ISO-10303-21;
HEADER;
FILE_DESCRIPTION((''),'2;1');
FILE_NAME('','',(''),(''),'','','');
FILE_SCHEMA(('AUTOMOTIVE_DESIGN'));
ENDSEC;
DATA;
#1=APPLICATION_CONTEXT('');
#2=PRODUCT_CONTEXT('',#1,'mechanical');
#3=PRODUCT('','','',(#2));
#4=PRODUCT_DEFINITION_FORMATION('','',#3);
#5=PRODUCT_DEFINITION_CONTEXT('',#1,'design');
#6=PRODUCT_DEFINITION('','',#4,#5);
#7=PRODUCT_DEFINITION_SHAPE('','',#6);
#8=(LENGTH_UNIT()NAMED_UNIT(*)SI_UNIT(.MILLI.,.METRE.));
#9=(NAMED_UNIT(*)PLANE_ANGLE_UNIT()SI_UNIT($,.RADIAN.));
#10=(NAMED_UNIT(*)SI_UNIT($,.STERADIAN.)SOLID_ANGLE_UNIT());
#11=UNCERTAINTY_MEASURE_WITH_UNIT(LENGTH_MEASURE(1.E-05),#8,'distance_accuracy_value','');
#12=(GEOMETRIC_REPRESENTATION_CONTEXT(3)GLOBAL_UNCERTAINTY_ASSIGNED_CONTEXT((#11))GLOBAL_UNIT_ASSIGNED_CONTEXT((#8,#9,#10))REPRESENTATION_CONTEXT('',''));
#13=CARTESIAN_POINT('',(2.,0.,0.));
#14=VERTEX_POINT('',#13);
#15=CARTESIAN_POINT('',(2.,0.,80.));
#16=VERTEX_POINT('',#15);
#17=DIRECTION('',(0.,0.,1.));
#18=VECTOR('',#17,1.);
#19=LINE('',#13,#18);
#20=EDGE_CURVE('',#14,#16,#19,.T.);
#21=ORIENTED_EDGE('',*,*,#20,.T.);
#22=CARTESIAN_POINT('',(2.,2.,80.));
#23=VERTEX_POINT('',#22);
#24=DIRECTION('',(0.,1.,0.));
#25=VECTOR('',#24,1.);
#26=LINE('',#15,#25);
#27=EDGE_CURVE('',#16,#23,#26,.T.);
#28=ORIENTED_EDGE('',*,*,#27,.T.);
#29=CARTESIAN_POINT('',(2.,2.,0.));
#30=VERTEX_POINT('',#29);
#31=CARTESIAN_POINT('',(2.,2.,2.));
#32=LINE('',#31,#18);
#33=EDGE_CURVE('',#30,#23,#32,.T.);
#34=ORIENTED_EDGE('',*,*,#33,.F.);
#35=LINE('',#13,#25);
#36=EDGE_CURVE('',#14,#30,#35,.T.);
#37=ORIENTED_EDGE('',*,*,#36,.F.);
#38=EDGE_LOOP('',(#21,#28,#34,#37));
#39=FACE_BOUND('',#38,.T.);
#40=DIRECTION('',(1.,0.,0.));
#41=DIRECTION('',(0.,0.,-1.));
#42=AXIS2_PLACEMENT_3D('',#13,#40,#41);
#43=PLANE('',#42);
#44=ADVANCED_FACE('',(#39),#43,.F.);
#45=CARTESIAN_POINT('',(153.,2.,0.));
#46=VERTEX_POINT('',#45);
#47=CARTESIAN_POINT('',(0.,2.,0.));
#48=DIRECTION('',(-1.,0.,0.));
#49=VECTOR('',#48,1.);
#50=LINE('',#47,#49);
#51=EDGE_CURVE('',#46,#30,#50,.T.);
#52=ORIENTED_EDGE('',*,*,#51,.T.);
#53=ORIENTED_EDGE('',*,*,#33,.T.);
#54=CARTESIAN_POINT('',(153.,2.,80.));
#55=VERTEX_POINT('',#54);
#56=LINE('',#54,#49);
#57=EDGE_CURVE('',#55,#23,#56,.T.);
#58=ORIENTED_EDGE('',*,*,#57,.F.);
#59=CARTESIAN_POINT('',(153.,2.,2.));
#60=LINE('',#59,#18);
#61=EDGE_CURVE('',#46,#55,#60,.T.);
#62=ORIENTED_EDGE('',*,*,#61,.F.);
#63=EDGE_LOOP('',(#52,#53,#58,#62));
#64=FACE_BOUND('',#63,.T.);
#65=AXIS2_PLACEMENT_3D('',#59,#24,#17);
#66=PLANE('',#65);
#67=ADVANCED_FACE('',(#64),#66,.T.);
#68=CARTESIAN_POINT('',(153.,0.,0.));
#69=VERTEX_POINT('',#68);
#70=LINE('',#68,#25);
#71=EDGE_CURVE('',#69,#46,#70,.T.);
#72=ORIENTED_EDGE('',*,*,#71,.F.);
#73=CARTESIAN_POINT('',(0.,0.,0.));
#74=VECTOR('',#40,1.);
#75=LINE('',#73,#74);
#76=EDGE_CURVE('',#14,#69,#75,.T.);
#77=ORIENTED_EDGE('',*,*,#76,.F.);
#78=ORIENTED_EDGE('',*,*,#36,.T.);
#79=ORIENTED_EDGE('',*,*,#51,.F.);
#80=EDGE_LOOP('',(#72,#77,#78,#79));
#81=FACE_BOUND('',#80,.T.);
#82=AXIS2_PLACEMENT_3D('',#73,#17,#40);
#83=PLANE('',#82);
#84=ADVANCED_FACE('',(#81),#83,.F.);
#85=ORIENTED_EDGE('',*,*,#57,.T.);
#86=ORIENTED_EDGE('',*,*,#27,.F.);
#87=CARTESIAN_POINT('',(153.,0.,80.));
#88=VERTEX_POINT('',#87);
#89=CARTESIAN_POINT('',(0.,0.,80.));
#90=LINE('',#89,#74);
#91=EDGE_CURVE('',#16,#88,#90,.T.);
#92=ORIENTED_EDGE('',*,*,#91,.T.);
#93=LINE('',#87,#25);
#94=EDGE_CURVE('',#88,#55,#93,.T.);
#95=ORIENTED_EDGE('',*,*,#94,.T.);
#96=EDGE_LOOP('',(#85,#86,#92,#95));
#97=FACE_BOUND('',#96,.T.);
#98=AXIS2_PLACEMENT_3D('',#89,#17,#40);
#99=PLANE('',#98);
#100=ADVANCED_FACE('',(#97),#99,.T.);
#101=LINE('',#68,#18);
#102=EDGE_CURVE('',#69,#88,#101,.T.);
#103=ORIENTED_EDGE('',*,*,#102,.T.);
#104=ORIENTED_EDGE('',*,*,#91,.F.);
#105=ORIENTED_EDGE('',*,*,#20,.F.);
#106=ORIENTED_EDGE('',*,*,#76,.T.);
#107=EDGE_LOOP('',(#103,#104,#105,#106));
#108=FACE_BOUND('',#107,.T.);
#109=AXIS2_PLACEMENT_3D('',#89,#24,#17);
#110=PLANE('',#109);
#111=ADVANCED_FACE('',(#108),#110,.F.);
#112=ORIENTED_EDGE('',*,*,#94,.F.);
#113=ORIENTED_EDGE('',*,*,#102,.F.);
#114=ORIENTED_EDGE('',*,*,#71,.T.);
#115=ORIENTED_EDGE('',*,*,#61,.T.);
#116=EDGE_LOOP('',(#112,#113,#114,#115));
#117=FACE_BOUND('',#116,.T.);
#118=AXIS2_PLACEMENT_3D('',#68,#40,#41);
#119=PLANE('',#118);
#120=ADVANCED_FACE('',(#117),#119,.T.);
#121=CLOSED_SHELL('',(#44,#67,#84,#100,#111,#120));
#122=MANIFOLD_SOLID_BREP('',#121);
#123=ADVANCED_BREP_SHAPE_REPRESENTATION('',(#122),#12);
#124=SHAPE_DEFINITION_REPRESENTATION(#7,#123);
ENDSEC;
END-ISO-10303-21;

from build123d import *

# Parameters (mm, degrees)
SKETCH1_W           = 155
SKETCH1_H           = 110
BOSS_EXTRUDE1_DEPTH = 80
SKETCH2_W           = 151
SKETCH2_H           = 106
CUT_EXTRUDE1_DEPTH  = 78
SKETCH3_R           = 2.5
CUT_EXTRUDE2_DEPTH  = 2
SKETCH7_R           = 1.6
CUT_EXTRUDE7_DEPTH  = 2
SKETCH4_W           = 27.5
SKETCH4_H           = 46.8
CUT_EXTRUDE8_DEPTH  = 2
SKETCH8_W           = 4
SKETCH8_H           = 53
CUT_EXTRUDE9_DEPTH  = 2
SKETCH9_W           = 14
SKETCH9_H           = 14
CUT_EXTRUDE10_DEPTH = 2
SKETCH10_W          = 25.2
SKETCH10_H          = 71.2
SKETCH10_R          = 1.25
CUT_EXTRUDE12_DEPTH = 2
SKETCH11_R          = 2.5
SKETCH11_R_2        = 4.5
CUT_EXTRUDE13_DEPTH = 2
SKETCH12_W          = 151
SKETCH12_H          = 108
CUT_EXTRUDE14_DEPTH = 80


with BuildPart() as part:
    # Sketch1 → Boss-Extrude1 (new body)
    with BuildSketch(Plane.XY):
        with Locations((77.5, 55)):
            Rectangle(SKETCH1_W, SKETCH1_H)
    extrude(amount=BOSS_EXTRUDE1_DEPTH)

    # Sketch2 → Cut-Extrude1 (cut)
    with BuildSketch(Plane.XY.offset(80)):
        with Locations((77.5, 55)):
            Rectangle(SKETCH2_W, SKETCH2_H)
    extrude(amount=-CUT_EXTRUDE1_DEPTH, mode=Mode.SUBTRACT)

    # Sketch3 → Cut-Extrude2 (cut)
    with BuildSketch(Plane.XY.offset(2)):
        with Locations((145, 100.5)):
            Circle(SKETCH3_R)
        with Locations((145, 9.5)):
            Circle(SKETCH3_R)
        with Locations((10, 9.5)):
            Circle(SKETCH3_R)
        with Locations((10, 100.5)):
            Circle(SKETCH3_R)
    extrude(amount=-CUT_EXTRUDE2_DEPTH, mode=Mode.SUBTRACT)

    # Sketch7 → Cut-Extrude7 (cut)
    with BuildSketch(Plane(origin=(0, 110, 0), x_dir=(1, 0, 0), z_dir=(0, 1, 0))):
        with Locations((44.48, -20.14450396)):
            Circle(SKETCH7_R)
        with Locations((95.28, -17.14)):
            Circle(SKETCH7_R)
        with Locations((95.28, -62.86)):
            Circle(SKETCH7_R)
        with Locations((44.48, -47.62)):
            Circle(SKETCH7_R)
    extrude(amount=-CUT_EXTRUDE7_DEPTH, mode=Mode.SUBTRACT)

    # Sketch4 → Cut-Extrude8 (cut)
    with BuildSketch(Plane(origin=(155, 0, 0), x_dir=(0, 0, -1), z_dir=(1, 0, 0))):
        with Locations((-40, 82.5)):
            Rectangle(SKETCH4_W, SKETCH4_H)
    extrude(amount=-CUT_EXTRUDE8_DEPTH, mode=Mode.SUBTRACT)

    # Sketch8 → Cut-Extrude9 (cut)
    with BuildSketch(Plane(origin=(155, 0, 0), x_dir=(0, 0, -1), z_dir=(1, 0, 0))):
        with Locations((-68, 28.5)):
            Rectangle(SKETCH8_W, SKETCH8_H)
        with Locations((-76, 28.5)):
            Rectangle(SKETCH8_W, SKETCH8_H)
        with Locations((-60, 28.5)):
            Rectangle(SKETCH8_W, SKETCH8_H)
        with Locations((-52, 28.5)):
            Rectangle(SKETCH8_W, SKETCH8_H)
        with Locations((-44, 28.5)):
            Rectangle(SKETCH8_W, SKETCH8_H)
        with Locations((-36, 28.5)):
            Rectangle(SKETCH8_W, SKETCH8_H)
        with Locations((-28, 28.5)):
            Rectangle(SKETCH8_W, SKETCH8_H)
        with Locations((-20, 28.5)):
            Rectangle(SKETCH8_W, SKETCH8_H)
        with Locations((-12, 28.5)):
            Rectangle(SKETCH8_W, SKETCH8_H)
        with Locations((-4, 28.5)):
            Rectangle(SKETCH8_W, SKETCH8_H)
    extrude(amount=-CUT_EXTRUDE9_DEPTH, mode=Mode.SUBTRACT)

    # Sketch9 → Cut-Extrude10 (cut)
    with BuildSketch(Plane(origin=(0, 110, 0), x_dir=(1, 0, 0), z_dir=(0, 1, 0))):
        with Locations((120, -19)):
            Rectangle(SKETCH9_W, SKETCH9_H)
    extrude(amount=-CUT_EXTRUDE10_DEPTH, mode=Mode.SUBTRACT)

    # Sketch10 → Cut-Extrude12 (cut)
    with BuildSketch(Plane.ZY):
        with Locations((58, 55)):
            Rectangle(SKETCH10_W, SKETCH10_H)
        with Locations((42.5, 92.5)):
            Circle(SKETCH10_R)
        with Locations((73.5, 92.5)):
            Circle(SKETCH10_R)
        with Locations((42.5, 17.5)):
            Circle(SKETCH10_R)
        with Locations((73.5, 17.5)):
            Circle(SKETCH10_R)
    extrude(amount=-CUT_EXTRUDE12_DEPTH, mode=Mode.SUBTRACT)

    # Sketch11 → Cut-Extrude13 (cut)
    with BuildSketch(Plane.ZY):
        with Locations((20, 55)):
            Circle(SKETCH11_R)
        with Locations((20, 40)):
            Circle(SKETCH11_R)
        with Locations((20, 25)):
            Circle(SKETCH11_R)
        with Locations((20, 82.5)):
            Circle(SKETCH11_R_2)
    extrude(amount=-CUT_EXTRUDE13_DEPTH, mode=Mode.SUBTRACT)

    # Sketch12 → Cut-Extrude14 (cut)
    with BuildSketch(Plane.XY.offset(80)):
        Polygon((153, 2), (153, 0), (155, 0), (155, 110), (153, 110), align=None)
        with Locations((77.5, 56)):
            Rectangle(SKETCH12_W, SKETCH12_H)
        Polygon((2, 0), (2, 2), (2, 110), (0, 110), (0, 0), align=None)
    extrude(amount=-CUT_EXTRUDE14_DEPTH, mode=Mode.SUBTRACT)


solid = part.part
